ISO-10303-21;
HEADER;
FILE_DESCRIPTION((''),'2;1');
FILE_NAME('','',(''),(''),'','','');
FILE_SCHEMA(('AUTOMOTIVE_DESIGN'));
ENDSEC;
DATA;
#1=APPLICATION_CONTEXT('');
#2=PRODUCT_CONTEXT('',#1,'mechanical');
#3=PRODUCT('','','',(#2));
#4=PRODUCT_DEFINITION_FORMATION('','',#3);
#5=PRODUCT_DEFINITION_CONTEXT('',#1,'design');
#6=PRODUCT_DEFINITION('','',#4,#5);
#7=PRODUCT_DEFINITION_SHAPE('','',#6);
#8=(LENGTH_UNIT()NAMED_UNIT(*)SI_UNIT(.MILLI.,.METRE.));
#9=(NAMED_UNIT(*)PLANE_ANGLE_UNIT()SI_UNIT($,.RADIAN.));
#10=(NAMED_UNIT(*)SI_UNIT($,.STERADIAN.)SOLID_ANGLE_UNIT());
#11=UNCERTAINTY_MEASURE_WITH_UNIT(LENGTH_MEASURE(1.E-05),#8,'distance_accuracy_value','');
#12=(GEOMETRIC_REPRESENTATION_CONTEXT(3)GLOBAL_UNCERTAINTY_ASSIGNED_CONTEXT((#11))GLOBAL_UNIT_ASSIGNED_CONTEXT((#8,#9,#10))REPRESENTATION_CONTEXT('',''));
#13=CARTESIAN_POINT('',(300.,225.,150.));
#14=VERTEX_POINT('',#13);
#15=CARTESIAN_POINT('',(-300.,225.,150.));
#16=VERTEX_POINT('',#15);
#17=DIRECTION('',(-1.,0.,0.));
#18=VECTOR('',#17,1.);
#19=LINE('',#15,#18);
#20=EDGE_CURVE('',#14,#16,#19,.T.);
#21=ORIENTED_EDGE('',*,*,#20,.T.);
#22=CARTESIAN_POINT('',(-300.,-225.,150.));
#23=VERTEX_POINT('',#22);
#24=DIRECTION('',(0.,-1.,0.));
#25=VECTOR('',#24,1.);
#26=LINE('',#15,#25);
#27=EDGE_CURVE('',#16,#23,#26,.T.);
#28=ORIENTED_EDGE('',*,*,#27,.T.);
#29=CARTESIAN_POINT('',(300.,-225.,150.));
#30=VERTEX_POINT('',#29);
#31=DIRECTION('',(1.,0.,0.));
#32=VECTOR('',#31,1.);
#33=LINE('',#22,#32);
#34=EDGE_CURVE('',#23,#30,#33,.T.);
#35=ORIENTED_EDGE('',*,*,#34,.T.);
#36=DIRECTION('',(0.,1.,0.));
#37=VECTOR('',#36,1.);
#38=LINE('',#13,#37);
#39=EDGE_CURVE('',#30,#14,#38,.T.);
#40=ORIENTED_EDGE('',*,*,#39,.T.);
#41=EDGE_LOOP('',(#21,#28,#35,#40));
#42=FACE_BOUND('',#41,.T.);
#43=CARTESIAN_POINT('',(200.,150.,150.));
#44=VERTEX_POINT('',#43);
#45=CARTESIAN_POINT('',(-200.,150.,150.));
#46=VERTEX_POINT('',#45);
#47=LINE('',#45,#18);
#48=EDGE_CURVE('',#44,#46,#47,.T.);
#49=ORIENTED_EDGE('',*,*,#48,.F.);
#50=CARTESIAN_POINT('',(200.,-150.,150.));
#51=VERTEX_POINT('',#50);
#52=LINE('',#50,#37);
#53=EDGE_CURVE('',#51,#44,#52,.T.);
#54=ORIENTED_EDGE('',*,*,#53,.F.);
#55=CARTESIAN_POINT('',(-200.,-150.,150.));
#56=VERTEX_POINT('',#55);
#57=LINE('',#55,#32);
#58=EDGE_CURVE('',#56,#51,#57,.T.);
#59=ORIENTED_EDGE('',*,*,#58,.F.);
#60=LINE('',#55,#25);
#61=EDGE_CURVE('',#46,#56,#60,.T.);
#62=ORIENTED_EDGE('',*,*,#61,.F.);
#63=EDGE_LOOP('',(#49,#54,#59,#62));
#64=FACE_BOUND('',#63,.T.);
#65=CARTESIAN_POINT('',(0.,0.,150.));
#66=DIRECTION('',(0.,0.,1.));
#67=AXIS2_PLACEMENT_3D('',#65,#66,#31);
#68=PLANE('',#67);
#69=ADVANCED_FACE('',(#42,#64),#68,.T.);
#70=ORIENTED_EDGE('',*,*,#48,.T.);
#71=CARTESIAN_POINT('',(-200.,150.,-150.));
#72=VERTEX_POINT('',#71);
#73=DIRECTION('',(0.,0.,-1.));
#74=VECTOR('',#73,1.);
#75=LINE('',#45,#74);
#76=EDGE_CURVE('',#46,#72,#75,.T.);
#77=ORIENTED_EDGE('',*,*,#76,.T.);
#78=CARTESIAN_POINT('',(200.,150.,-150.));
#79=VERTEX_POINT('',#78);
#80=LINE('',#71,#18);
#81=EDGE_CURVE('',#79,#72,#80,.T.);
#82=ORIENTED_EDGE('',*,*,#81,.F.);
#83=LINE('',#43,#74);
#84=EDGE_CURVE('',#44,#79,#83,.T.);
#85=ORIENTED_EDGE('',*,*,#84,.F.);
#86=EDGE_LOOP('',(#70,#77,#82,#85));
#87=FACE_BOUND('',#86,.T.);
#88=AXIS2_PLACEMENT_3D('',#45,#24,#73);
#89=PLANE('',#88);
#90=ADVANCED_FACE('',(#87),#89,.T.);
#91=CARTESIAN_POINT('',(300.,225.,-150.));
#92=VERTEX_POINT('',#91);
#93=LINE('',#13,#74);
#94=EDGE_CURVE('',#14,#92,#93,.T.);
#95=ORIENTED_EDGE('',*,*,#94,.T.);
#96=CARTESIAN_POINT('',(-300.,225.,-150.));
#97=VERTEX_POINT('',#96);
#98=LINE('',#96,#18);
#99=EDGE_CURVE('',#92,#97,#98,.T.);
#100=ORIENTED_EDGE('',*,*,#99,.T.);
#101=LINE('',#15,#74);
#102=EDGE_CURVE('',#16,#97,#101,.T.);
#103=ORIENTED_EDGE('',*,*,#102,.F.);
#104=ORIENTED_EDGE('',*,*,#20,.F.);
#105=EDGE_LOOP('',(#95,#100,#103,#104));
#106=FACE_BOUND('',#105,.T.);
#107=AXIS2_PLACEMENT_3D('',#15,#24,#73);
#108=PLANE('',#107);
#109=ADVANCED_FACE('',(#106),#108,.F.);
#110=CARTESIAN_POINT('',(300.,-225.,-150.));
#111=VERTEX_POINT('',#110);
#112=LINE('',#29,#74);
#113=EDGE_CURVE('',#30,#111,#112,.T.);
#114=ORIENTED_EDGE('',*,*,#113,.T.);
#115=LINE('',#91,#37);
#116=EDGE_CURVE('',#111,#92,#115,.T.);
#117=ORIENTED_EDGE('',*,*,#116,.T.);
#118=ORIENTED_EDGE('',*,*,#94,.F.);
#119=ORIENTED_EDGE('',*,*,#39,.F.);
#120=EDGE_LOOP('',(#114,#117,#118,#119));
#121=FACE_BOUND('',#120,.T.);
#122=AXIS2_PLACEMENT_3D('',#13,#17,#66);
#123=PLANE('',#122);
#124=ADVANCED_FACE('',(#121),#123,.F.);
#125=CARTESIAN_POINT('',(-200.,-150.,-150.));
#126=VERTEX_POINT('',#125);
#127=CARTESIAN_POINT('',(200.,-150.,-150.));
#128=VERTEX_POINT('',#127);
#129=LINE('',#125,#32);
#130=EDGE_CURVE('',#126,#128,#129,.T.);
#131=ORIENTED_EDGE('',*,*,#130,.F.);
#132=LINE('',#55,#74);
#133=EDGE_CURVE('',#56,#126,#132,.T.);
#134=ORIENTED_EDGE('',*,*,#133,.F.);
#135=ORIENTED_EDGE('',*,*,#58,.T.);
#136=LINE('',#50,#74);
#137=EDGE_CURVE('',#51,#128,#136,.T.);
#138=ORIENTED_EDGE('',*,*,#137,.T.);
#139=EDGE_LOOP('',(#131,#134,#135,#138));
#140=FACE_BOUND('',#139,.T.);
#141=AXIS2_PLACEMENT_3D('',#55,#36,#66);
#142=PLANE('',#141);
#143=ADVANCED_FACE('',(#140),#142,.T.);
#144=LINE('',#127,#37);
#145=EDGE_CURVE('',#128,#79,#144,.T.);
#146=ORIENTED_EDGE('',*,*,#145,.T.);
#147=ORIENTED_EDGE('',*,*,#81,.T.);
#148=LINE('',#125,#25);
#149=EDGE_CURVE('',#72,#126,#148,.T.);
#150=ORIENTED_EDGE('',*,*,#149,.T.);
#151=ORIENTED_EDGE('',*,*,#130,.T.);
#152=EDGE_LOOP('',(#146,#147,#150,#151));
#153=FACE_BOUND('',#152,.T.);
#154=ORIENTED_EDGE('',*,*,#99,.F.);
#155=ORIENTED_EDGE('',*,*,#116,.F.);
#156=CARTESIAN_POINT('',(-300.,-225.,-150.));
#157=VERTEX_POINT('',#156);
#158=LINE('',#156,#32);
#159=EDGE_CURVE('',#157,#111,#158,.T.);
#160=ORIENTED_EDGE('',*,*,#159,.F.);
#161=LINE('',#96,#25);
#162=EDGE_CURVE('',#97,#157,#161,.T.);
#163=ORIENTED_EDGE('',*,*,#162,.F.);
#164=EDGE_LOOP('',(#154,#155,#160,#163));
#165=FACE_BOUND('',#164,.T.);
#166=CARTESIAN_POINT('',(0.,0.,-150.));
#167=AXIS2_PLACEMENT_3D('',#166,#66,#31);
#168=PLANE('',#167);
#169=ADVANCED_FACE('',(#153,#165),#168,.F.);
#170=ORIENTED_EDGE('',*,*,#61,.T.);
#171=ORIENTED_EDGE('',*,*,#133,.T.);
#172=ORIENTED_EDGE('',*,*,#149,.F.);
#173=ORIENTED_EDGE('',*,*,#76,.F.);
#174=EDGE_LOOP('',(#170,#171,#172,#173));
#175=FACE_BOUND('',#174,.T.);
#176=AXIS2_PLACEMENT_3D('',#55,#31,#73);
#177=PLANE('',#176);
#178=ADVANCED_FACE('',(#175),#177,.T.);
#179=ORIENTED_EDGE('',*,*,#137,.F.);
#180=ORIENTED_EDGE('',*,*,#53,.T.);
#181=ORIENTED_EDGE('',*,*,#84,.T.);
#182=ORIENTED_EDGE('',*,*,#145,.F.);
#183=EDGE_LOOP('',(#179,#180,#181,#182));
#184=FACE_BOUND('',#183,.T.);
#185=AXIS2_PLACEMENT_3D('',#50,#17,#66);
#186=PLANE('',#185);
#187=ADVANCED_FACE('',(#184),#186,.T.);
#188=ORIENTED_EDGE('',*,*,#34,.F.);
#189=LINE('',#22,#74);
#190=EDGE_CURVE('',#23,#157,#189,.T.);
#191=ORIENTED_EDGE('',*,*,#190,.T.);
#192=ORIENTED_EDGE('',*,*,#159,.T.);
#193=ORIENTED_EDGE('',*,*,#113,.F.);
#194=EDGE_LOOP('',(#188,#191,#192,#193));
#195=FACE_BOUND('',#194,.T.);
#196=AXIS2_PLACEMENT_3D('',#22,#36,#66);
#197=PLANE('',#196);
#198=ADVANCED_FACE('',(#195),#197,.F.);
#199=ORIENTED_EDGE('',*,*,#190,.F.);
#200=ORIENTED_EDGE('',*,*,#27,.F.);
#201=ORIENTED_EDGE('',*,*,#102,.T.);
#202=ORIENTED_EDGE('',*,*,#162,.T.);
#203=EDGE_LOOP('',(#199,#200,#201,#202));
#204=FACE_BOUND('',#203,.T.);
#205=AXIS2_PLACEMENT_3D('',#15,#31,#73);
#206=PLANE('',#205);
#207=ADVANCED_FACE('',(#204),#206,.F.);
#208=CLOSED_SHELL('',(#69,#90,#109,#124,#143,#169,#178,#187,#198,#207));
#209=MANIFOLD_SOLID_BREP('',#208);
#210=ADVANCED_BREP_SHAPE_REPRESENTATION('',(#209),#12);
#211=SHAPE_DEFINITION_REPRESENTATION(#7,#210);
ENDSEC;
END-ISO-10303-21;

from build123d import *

# Parameters (mm, degrees)
SKETCH_1_W      = 600
SKETCH_1_H      = 450
SKETCH_1_W_2    = 400
SKETCH_1_H_2    = 300
EXTRUDE_2_DEPTH = 150


with BuildPart() as part:
    # 草图1 → 凸台-拉伸2 (new, symmetric)
    with BuildSketch(Plane.XY):
        Rectangle(SKETCH_1_W, SKETCH_1_H)
        Rectangle(SKETCH_1_W_2, SKETCH_1_H_2, mode=Mode.SUBTRACT)
    extrude(amount=EXTRUDE_2_DEPTH, both=True)


solid = part.part
